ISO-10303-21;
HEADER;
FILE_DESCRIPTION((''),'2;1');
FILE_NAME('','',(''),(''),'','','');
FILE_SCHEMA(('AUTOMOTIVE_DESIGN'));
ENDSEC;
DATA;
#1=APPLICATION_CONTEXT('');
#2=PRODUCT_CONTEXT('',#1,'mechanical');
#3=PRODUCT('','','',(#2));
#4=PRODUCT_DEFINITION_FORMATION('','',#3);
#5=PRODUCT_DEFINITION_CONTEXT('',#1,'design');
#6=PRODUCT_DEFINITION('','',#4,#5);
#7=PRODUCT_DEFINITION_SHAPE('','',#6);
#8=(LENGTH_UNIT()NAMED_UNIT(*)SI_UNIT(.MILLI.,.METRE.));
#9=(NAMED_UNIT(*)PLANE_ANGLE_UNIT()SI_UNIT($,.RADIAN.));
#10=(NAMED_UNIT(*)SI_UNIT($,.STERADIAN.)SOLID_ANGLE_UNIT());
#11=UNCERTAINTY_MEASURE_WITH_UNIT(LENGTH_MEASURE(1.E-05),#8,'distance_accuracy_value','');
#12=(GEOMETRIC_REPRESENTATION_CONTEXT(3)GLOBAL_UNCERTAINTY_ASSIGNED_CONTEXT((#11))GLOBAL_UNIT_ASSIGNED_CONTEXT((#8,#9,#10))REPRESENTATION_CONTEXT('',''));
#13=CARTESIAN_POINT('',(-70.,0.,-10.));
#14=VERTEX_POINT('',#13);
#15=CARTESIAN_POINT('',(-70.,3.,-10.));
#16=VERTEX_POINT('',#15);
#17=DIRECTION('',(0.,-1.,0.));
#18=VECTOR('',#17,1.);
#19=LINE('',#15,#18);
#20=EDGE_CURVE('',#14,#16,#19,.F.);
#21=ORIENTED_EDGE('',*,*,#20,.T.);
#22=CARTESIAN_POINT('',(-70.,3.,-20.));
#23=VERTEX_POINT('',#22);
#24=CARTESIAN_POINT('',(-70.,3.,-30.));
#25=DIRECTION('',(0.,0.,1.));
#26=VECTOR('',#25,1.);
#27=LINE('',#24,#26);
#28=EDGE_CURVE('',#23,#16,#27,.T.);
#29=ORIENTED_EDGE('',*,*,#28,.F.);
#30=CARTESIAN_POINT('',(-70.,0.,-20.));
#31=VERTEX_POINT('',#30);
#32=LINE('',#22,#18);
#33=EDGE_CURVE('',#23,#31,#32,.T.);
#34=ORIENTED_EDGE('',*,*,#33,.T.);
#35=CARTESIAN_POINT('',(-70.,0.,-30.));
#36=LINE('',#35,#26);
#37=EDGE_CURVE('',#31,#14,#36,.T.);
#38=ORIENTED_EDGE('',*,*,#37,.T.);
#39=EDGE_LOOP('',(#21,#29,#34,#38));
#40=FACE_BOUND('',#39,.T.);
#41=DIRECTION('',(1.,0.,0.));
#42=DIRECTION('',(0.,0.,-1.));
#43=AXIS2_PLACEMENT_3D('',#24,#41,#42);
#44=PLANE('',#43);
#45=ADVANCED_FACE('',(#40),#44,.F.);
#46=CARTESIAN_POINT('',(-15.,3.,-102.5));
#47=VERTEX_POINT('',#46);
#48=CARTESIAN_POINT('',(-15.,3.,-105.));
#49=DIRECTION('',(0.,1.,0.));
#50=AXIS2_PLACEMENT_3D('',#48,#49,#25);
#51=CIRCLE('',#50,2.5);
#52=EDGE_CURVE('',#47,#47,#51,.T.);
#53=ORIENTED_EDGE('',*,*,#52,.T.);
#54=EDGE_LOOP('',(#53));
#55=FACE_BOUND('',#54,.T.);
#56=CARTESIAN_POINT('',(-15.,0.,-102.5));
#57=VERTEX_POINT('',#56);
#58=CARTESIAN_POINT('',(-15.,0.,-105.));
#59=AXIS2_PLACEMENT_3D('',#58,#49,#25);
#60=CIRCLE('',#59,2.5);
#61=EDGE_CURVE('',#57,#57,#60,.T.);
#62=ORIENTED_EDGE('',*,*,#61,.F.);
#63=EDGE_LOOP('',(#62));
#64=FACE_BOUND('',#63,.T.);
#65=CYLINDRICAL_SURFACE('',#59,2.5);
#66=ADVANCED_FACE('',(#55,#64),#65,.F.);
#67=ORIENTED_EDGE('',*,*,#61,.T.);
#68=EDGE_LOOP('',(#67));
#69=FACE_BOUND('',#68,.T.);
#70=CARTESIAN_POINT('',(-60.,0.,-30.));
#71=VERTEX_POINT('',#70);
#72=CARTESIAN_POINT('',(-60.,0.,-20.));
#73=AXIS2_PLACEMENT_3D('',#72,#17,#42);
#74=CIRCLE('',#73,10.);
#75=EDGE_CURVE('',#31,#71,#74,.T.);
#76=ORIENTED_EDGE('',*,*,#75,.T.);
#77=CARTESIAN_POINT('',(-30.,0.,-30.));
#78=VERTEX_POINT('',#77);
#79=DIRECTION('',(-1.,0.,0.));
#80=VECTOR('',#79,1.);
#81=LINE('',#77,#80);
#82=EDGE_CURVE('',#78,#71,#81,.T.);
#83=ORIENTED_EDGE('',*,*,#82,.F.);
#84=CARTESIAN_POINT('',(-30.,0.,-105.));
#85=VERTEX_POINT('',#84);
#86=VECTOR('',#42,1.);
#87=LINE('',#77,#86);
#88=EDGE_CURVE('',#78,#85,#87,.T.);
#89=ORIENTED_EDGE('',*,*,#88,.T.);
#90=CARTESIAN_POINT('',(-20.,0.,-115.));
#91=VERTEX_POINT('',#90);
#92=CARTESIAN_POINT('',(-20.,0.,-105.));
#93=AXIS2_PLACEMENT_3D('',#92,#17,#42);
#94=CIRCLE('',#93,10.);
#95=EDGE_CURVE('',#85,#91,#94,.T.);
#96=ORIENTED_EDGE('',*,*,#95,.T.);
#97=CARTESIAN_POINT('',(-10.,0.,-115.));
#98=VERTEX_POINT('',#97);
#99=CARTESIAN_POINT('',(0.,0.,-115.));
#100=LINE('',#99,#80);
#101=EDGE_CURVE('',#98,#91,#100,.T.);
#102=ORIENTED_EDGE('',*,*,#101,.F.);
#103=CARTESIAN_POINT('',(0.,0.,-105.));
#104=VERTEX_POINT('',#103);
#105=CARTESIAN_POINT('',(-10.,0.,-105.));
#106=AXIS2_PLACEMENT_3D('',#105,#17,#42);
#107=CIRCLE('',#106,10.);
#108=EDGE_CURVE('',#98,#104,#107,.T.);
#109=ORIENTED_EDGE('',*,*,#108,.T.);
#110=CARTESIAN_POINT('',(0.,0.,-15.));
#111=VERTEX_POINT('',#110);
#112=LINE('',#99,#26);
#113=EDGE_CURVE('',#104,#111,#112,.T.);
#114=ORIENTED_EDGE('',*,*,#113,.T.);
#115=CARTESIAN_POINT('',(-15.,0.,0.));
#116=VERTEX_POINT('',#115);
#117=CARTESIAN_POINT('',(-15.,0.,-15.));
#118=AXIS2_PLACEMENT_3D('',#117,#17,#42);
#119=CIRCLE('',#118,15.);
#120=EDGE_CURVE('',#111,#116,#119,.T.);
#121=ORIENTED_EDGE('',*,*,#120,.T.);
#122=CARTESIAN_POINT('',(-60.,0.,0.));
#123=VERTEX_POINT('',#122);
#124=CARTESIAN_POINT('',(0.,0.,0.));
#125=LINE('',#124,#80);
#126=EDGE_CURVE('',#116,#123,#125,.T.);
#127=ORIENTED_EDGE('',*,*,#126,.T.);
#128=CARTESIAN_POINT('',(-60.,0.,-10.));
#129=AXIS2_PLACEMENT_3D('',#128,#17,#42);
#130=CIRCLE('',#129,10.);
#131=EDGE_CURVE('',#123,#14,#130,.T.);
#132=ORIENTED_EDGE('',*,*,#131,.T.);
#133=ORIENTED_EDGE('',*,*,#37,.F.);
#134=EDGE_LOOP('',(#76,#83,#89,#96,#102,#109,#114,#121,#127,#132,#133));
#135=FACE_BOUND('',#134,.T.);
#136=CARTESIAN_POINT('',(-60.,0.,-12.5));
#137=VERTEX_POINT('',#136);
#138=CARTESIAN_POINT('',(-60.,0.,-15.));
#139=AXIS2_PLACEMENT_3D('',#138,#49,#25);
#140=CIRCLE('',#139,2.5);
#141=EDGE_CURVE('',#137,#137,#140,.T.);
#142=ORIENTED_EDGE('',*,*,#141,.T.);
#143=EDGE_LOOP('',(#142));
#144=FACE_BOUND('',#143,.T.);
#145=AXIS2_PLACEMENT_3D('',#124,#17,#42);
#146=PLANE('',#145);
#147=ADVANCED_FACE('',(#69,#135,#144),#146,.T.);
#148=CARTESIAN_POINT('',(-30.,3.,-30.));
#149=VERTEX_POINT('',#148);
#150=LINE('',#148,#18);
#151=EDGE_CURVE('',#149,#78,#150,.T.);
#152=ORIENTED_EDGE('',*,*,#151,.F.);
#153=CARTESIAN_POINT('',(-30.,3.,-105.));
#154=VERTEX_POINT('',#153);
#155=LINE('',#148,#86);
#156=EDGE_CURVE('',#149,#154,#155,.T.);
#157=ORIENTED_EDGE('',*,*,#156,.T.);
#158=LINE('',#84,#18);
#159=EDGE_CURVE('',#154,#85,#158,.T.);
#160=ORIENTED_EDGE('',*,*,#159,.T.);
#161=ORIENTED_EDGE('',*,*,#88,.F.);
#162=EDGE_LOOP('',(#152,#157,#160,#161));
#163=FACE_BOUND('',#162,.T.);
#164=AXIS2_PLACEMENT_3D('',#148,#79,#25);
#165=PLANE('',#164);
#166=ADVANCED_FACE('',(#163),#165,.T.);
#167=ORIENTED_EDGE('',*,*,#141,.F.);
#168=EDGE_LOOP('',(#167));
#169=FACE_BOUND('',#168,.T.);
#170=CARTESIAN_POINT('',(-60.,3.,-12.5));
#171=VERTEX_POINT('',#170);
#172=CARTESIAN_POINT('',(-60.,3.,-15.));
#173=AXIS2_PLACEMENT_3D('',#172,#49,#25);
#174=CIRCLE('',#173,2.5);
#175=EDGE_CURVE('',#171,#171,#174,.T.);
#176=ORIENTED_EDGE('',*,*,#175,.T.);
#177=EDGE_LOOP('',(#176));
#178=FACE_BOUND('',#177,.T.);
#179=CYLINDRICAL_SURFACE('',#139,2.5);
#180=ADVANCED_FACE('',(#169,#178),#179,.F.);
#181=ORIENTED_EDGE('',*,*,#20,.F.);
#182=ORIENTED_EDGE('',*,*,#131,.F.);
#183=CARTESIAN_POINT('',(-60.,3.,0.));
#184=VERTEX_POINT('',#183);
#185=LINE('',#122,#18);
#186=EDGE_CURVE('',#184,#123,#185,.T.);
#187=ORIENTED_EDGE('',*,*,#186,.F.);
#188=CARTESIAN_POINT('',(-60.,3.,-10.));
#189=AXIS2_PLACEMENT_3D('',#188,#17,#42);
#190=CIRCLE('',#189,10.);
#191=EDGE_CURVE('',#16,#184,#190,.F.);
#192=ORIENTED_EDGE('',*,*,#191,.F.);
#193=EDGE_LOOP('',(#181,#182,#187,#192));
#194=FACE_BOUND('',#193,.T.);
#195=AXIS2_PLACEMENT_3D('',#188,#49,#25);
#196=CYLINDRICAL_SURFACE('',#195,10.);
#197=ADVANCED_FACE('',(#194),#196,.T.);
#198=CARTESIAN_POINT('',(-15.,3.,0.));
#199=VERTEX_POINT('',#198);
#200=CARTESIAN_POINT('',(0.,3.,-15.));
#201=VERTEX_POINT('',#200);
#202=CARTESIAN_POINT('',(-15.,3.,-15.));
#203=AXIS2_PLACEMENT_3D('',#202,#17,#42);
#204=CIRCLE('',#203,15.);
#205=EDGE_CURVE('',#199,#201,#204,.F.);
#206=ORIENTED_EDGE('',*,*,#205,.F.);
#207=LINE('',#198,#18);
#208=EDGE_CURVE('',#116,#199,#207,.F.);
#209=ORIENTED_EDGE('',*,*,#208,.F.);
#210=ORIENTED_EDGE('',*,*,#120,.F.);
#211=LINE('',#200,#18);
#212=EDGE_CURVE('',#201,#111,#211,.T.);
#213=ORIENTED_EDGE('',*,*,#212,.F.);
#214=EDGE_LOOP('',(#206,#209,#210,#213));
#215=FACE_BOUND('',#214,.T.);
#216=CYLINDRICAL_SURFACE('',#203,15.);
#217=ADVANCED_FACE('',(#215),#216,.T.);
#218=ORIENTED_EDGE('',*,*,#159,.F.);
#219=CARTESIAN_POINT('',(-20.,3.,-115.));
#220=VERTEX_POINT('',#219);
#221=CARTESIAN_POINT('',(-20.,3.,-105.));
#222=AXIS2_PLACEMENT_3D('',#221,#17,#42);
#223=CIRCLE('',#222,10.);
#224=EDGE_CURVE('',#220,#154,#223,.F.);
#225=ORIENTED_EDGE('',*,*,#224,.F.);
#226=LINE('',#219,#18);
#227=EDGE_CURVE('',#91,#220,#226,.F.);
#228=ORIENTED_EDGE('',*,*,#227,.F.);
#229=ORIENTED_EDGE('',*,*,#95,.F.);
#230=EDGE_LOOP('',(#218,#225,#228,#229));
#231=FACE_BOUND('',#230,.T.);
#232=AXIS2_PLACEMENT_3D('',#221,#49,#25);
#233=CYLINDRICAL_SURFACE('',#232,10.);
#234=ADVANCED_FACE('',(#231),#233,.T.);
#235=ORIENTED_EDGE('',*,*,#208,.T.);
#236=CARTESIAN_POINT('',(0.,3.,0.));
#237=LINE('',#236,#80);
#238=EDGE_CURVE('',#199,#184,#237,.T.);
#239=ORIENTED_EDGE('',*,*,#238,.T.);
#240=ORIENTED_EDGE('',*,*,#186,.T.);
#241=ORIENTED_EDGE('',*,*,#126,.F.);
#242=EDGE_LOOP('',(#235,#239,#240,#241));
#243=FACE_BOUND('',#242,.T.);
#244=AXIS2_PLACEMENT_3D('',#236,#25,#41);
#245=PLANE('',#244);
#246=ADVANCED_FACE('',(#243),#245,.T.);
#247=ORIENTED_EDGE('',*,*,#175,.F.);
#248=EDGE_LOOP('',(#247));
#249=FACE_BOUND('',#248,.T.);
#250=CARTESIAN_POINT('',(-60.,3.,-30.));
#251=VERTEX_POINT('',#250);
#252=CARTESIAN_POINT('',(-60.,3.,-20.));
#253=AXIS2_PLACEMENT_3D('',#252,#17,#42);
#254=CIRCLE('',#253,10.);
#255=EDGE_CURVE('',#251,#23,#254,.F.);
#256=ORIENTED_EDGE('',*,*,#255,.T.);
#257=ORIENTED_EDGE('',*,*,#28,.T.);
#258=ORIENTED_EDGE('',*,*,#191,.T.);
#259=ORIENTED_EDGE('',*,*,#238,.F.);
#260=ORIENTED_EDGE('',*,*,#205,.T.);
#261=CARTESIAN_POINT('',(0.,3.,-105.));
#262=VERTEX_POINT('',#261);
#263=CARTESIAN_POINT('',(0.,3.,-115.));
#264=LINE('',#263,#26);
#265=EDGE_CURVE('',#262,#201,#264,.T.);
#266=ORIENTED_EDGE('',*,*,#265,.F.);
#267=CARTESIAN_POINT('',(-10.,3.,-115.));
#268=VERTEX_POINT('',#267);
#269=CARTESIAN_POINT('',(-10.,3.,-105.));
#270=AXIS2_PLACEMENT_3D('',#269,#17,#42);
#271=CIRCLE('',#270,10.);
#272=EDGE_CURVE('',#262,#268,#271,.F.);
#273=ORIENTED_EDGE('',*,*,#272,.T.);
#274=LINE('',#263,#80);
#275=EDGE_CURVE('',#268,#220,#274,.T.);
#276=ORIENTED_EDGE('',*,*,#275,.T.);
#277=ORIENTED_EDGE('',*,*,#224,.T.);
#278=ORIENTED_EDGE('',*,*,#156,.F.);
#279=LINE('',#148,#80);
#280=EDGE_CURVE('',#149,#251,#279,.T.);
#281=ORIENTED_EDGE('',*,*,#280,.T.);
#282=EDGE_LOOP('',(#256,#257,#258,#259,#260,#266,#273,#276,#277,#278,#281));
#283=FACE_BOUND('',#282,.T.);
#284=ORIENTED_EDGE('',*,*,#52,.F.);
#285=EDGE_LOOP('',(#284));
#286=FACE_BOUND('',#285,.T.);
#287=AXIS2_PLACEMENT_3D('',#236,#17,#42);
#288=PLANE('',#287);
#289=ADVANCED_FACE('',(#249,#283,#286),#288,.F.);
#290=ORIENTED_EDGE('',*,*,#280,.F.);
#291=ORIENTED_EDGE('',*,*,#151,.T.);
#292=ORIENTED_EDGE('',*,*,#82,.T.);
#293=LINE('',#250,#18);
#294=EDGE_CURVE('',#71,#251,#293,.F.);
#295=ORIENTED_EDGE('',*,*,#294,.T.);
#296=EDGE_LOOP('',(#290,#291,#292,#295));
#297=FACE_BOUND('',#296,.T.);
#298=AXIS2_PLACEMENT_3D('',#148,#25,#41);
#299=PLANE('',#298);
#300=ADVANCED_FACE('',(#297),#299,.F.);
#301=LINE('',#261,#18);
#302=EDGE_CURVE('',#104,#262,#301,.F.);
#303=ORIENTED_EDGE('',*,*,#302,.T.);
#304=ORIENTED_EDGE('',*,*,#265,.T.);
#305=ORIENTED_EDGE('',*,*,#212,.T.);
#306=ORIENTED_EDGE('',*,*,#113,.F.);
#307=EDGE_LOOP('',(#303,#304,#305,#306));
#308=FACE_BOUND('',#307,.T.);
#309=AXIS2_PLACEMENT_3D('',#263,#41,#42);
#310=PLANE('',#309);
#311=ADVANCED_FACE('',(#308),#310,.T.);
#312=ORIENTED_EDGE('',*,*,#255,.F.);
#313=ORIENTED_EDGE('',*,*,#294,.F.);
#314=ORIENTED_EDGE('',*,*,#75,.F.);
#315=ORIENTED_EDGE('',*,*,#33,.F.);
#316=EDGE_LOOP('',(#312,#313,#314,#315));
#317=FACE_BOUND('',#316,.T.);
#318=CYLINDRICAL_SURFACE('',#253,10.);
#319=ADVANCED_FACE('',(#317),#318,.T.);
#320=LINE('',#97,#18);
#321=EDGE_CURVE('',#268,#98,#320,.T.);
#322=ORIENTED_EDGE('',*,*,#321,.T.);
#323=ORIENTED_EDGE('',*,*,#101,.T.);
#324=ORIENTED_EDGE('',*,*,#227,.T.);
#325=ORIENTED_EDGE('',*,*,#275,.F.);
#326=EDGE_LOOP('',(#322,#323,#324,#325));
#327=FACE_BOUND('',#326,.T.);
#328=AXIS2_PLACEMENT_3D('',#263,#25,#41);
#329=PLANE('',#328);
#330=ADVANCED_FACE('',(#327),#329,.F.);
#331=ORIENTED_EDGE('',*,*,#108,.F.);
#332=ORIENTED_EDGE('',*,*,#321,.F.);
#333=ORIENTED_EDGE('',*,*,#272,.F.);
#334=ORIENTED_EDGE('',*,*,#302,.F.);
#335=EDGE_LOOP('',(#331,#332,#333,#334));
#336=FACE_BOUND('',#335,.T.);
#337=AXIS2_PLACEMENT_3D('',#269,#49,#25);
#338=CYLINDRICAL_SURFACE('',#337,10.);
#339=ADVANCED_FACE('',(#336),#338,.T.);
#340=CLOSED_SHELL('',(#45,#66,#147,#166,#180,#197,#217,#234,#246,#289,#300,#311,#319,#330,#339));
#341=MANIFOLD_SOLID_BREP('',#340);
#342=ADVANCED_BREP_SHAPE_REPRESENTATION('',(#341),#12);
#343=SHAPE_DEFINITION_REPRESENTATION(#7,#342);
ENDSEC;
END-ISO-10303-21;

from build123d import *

# Parameters (mm, degrees)
BOSS_EXTRUDE1_DEPTH = 3
FILLET1_R           = 10
FILLET2_R           = 15
SKETCH2_R           = 2.5
CUT_EXTRUDE1_DEPTH  = 135.662541191


with BuildPart() as part:
    # Sketch1 → Boss-Extrude1 (new body)
    with BuildSketch(Plane(origin=(0, 0, 0), x_dir=(1, 0, 0), z_dir=(0, 1, 0))):
        Polygon((0, 115), (-30, 115), (-30, 30), (-70, 30), (-70, 0), (0, 0), align=None)
    extrude(amount=BOSS_EXTRUDE1_DEPTH)

    # Fillet1
    fillet1_edges = [part.edges().sort_by_distance(p)[0] for p in [
        (0, 1.5, -115),
        (-30, 1.5, -115),
        (-70, 1.5, -30),
        (-70, 1.5, 0),
    ]]
    fillet(fillet1_edges, radius=FILLET1_R)

    # Fillet2
    fillet2_edges = [part.edges().sort_by_distance(p)[0] for p in [
        (0, 1.5, 0),
    ]]
    fillet(fillet2_edges, radius=FILLET2_R)

    # Sketch2 → Cut-Extrude1 (cut, through all)
    with BuildSketch(Plane(origin=(0, 3, 0), x_dir=(1, 0, 0), z_dir=(0, 1, 0))):
        with Locations(Location((-60, 15, 0), (0, 0, 270))):
            Circle(SKETCH2_R)
        with Locations(Location((-15, 105, 0), (0, 0, 270))):
            Circle(SKETCH2_R)
    extrude(amount=-CUT_EXTRUDE1_DEPTH, mode=Mode.SUBTRACT)


solid = part.part
